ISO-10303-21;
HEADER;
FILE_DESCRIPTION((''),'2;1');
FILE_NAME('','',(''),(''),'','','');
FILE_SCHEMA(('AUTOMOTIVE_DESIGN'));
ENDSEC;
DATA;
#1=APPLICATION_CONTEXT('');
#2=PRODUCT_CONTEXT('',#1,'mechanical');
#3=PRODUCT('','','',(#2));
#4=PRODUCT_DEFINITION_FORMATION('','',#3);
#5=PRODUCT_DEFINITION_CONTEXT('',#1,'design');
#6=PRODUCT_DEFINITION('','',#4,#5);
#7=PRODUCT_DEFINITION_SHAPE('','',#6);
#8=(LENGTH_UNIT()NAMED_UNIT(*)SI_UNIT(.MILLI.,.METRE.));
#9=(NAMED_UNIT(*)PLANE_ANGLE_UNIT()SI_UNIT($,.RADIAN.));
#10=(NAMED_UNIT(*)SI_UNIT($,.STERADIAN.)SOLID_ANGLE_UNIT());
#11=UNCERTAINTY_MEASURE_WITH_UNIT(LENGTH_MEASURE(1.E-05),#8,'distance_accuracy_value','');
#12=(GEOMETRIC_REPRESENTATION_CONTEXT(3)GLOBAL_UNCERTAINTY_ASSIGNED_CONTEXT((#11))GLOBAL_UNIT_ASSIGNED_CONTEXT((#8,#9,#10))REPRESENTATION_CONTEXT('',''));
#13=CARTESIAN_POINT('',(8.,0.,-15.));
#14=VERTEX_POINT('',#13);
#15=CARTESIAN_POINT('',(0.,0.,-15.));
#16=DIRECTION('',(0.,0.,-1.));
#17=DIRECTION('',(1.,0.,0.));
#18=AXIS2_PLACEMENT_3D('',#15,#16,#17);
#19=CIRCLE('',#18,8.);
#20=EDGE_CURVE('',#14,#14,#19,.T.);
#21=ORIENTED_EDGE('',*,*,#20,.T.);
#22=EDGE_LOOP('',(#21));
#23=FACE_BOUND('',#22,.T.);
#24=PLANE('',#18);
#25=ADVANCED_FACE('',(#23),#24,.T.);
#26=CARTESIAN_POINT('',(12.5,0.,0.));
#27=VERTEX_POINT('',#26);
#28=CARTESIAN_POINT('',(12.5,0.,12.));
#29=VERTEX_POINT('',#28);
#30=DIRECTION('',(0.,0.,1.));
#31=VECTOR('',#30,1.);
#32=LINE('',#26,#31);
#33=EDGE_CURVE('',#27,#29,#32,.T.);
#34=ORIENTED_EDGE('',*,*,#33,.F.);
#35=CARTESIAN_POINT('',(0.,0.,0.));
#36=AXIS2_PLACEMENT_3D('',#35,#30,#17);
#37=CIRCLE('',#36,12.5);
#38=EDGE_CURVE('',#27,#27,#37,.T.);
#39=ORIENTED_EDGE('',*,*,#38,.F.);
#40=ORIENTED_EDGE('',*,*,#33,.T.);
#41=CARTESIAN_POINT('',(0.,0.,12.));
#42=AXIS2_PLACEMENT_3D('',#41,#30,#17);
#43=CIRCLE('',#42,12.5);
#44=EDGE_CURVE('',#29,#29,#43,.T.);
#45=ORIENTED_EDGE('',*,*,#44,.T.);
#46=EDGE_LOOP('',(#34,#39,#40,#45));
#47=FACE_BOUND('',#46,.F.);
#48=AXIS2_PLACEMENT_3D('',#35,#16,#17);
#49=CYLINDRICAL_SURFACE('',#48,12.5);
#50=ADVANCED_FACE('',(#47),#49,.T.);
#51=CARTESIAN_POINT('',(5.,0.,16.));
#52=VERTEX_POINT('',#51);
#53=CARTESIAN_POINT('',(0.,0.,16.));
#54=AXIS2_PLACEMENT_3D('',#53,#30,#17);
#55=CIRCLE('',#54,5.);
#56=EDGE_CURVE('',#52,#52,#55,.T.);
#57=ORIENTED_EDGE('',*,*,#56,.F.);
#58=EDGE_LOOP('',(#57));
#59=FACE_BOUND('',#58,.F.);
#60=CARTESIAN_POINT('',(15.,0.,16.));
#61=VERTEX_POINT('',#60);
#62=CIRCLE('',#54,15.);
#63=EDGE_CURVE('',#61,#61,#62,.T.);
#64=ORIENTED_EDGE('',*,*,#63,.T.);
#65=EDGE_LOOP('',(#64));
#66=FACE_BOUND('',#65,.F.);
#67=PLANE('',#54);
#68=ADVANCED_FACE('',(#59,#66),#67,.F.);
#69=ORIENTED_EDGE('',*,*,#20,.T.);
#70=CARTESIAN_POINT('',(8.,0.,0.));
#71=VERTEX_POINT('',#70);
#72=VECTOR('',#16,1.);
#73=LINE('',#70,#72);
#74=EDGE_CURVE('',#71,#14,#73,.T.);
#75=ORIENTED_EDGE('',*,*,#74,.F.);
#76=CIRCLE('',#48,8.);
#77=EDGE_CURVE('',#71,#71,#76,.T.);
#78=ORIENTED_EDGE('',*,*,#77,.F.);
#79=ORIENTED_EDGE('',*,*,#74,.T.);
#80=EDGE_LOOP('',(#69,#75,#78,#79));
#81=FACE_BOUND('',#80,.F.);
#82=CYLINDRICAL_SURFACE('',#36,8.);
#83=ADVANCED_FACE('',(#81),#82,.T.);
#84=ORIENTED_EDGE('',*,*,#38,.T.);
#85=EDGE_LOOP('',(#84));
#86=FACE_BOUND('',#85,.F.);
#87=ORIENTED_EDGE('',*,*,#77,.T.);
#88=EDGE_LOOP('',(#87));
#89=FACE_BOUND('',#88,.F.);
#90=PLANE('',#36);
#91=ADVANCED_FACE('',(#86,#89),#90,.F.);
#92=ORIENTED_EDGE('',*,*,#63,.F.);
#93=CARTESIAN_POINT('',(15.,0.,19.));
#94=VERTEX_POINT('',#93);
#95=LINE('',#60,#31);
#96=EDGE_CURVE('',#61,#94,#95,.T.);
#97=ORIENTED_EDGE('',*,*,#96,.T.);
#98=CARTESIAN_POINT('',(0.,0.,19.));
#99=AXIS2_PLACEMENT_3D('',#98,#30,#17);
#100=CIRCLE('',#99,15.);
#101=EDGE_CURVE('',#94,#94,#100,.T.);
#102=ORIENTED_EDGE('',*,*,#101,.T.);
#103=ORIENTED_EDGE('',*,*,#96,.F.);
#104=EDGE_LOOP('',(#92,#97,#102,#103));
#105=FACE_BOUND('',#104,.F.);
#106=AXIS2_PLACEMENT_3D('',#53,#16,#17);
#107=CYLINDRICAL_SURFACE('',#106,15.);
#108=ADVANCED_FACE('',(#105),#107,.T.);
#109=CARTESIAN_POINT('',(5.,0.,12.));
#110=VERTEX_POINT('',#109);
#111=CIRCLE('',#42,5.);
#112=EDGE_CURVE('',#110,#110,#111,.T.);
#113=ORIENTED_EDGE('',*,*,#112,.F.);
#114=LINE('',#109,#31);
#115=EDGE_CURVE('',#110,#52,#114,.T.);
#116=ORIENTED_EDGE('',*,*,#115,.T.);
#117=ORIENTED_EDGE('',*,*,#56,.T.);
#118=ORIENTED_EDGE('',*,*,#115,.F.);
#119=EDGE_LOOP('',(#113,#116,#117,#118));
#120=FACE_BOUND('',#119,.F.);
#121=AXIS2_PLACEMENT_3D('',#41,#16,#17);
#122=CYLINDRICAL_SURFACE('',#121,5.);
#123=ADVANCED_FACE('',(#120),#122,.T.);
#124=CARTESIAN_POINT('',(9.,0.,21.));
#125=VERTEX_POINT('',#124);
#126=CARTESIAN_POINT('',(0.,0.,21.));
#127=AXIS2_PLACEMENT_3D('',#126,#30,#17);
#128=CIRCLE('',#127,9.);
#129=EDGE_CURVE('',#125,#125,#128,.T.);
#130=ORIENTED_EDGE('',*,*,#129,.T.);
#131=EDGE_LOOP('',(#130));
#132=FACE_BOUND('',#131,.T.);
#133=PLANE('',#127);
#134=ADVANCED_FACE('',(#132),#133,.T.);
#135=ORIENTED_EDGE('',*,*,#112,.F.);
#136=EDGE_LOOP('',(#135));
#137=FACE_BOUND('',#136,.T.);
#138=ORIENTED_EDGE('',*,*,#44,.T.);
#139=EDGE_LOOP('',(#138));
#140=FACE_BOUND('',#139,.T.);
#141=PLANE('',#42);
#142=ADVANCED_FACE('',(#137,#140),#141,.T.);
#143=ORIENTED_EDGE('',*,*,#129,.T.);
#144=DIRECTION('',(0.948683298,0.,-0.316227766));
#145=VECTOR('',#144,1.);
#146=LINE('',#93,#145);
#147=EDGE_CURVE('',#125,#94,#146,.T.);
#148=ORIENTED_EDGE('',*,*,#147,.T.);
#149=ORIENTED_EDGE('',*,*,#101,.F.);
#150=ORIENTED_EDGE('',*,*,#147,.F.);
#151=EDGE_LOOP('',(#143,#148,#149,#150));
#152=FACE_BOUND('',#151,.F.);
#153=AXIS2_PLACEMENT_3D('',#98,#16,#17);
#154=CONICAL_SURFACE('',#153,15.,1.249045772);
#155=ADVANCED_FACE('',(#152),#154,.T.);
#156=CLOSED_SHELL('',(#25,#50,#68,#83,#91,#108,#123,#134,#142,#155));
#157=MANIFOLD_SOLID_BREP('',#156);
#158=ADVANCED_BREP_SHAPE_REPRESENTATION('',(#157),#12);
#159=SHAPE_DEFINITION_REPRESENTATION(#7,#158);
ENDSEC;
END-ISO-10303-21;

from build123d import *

# Parameters (mm, degrees)
F0_R     = 12.5
F1_DEPTH = 12
F2_R     = 8
F3_DEPTH = 15
F4_R     = 5
F5_DEPTH = 4
F6_R     = 15
F6_R_2   = 5
F7_DEPTH = 5
F8_SIZE2 = 2
F8_SIZE  = 6


with BuildPart() as f1:
    # F0 (on Top) → F1 (new body)
    with BuildSketch(Plane.XY):
        Circle(F0_R)
    extrude(amount=F1_DEPTH)

    # F2 (on face) → F3 (join)
    with BuildSketch(Plane(origin=(0, 0, 0), x_dir=(1, 0, 0), z_dir=(0, 0, -1))):
        Circle(F2_R)
    extrude(amount=F3_DEPTH)

    # F4 (on face) → F5 (join)
    with BuildSketch(Plane.XY.offset(12)):
        Circle(F4_R)
    extrude(amount=F5_DEPTH)

    # F6 (on face) → F7 (join)
    with BuildSketch(Plane.XY.offset(16)):
        Circle(F6_R)
        Circle(F6_R_2, mode=Mode.SUBTRACT)
        Circle(F6_R_2)
    extrude(amount=F7_DEPTH)

    # F8
    f8_edges = [f1.edges().sort_by_distance(p)[0] for p in [
        (-15, 0, 21),
    ]]
    f8_side = f1.faces().sort_by_distance((0, 0, 21))[0]
    chamfer(f8_edges, length=F8_SIZE, length2=F8_SIZE2, reference=f8_side)


solid = f1.part
